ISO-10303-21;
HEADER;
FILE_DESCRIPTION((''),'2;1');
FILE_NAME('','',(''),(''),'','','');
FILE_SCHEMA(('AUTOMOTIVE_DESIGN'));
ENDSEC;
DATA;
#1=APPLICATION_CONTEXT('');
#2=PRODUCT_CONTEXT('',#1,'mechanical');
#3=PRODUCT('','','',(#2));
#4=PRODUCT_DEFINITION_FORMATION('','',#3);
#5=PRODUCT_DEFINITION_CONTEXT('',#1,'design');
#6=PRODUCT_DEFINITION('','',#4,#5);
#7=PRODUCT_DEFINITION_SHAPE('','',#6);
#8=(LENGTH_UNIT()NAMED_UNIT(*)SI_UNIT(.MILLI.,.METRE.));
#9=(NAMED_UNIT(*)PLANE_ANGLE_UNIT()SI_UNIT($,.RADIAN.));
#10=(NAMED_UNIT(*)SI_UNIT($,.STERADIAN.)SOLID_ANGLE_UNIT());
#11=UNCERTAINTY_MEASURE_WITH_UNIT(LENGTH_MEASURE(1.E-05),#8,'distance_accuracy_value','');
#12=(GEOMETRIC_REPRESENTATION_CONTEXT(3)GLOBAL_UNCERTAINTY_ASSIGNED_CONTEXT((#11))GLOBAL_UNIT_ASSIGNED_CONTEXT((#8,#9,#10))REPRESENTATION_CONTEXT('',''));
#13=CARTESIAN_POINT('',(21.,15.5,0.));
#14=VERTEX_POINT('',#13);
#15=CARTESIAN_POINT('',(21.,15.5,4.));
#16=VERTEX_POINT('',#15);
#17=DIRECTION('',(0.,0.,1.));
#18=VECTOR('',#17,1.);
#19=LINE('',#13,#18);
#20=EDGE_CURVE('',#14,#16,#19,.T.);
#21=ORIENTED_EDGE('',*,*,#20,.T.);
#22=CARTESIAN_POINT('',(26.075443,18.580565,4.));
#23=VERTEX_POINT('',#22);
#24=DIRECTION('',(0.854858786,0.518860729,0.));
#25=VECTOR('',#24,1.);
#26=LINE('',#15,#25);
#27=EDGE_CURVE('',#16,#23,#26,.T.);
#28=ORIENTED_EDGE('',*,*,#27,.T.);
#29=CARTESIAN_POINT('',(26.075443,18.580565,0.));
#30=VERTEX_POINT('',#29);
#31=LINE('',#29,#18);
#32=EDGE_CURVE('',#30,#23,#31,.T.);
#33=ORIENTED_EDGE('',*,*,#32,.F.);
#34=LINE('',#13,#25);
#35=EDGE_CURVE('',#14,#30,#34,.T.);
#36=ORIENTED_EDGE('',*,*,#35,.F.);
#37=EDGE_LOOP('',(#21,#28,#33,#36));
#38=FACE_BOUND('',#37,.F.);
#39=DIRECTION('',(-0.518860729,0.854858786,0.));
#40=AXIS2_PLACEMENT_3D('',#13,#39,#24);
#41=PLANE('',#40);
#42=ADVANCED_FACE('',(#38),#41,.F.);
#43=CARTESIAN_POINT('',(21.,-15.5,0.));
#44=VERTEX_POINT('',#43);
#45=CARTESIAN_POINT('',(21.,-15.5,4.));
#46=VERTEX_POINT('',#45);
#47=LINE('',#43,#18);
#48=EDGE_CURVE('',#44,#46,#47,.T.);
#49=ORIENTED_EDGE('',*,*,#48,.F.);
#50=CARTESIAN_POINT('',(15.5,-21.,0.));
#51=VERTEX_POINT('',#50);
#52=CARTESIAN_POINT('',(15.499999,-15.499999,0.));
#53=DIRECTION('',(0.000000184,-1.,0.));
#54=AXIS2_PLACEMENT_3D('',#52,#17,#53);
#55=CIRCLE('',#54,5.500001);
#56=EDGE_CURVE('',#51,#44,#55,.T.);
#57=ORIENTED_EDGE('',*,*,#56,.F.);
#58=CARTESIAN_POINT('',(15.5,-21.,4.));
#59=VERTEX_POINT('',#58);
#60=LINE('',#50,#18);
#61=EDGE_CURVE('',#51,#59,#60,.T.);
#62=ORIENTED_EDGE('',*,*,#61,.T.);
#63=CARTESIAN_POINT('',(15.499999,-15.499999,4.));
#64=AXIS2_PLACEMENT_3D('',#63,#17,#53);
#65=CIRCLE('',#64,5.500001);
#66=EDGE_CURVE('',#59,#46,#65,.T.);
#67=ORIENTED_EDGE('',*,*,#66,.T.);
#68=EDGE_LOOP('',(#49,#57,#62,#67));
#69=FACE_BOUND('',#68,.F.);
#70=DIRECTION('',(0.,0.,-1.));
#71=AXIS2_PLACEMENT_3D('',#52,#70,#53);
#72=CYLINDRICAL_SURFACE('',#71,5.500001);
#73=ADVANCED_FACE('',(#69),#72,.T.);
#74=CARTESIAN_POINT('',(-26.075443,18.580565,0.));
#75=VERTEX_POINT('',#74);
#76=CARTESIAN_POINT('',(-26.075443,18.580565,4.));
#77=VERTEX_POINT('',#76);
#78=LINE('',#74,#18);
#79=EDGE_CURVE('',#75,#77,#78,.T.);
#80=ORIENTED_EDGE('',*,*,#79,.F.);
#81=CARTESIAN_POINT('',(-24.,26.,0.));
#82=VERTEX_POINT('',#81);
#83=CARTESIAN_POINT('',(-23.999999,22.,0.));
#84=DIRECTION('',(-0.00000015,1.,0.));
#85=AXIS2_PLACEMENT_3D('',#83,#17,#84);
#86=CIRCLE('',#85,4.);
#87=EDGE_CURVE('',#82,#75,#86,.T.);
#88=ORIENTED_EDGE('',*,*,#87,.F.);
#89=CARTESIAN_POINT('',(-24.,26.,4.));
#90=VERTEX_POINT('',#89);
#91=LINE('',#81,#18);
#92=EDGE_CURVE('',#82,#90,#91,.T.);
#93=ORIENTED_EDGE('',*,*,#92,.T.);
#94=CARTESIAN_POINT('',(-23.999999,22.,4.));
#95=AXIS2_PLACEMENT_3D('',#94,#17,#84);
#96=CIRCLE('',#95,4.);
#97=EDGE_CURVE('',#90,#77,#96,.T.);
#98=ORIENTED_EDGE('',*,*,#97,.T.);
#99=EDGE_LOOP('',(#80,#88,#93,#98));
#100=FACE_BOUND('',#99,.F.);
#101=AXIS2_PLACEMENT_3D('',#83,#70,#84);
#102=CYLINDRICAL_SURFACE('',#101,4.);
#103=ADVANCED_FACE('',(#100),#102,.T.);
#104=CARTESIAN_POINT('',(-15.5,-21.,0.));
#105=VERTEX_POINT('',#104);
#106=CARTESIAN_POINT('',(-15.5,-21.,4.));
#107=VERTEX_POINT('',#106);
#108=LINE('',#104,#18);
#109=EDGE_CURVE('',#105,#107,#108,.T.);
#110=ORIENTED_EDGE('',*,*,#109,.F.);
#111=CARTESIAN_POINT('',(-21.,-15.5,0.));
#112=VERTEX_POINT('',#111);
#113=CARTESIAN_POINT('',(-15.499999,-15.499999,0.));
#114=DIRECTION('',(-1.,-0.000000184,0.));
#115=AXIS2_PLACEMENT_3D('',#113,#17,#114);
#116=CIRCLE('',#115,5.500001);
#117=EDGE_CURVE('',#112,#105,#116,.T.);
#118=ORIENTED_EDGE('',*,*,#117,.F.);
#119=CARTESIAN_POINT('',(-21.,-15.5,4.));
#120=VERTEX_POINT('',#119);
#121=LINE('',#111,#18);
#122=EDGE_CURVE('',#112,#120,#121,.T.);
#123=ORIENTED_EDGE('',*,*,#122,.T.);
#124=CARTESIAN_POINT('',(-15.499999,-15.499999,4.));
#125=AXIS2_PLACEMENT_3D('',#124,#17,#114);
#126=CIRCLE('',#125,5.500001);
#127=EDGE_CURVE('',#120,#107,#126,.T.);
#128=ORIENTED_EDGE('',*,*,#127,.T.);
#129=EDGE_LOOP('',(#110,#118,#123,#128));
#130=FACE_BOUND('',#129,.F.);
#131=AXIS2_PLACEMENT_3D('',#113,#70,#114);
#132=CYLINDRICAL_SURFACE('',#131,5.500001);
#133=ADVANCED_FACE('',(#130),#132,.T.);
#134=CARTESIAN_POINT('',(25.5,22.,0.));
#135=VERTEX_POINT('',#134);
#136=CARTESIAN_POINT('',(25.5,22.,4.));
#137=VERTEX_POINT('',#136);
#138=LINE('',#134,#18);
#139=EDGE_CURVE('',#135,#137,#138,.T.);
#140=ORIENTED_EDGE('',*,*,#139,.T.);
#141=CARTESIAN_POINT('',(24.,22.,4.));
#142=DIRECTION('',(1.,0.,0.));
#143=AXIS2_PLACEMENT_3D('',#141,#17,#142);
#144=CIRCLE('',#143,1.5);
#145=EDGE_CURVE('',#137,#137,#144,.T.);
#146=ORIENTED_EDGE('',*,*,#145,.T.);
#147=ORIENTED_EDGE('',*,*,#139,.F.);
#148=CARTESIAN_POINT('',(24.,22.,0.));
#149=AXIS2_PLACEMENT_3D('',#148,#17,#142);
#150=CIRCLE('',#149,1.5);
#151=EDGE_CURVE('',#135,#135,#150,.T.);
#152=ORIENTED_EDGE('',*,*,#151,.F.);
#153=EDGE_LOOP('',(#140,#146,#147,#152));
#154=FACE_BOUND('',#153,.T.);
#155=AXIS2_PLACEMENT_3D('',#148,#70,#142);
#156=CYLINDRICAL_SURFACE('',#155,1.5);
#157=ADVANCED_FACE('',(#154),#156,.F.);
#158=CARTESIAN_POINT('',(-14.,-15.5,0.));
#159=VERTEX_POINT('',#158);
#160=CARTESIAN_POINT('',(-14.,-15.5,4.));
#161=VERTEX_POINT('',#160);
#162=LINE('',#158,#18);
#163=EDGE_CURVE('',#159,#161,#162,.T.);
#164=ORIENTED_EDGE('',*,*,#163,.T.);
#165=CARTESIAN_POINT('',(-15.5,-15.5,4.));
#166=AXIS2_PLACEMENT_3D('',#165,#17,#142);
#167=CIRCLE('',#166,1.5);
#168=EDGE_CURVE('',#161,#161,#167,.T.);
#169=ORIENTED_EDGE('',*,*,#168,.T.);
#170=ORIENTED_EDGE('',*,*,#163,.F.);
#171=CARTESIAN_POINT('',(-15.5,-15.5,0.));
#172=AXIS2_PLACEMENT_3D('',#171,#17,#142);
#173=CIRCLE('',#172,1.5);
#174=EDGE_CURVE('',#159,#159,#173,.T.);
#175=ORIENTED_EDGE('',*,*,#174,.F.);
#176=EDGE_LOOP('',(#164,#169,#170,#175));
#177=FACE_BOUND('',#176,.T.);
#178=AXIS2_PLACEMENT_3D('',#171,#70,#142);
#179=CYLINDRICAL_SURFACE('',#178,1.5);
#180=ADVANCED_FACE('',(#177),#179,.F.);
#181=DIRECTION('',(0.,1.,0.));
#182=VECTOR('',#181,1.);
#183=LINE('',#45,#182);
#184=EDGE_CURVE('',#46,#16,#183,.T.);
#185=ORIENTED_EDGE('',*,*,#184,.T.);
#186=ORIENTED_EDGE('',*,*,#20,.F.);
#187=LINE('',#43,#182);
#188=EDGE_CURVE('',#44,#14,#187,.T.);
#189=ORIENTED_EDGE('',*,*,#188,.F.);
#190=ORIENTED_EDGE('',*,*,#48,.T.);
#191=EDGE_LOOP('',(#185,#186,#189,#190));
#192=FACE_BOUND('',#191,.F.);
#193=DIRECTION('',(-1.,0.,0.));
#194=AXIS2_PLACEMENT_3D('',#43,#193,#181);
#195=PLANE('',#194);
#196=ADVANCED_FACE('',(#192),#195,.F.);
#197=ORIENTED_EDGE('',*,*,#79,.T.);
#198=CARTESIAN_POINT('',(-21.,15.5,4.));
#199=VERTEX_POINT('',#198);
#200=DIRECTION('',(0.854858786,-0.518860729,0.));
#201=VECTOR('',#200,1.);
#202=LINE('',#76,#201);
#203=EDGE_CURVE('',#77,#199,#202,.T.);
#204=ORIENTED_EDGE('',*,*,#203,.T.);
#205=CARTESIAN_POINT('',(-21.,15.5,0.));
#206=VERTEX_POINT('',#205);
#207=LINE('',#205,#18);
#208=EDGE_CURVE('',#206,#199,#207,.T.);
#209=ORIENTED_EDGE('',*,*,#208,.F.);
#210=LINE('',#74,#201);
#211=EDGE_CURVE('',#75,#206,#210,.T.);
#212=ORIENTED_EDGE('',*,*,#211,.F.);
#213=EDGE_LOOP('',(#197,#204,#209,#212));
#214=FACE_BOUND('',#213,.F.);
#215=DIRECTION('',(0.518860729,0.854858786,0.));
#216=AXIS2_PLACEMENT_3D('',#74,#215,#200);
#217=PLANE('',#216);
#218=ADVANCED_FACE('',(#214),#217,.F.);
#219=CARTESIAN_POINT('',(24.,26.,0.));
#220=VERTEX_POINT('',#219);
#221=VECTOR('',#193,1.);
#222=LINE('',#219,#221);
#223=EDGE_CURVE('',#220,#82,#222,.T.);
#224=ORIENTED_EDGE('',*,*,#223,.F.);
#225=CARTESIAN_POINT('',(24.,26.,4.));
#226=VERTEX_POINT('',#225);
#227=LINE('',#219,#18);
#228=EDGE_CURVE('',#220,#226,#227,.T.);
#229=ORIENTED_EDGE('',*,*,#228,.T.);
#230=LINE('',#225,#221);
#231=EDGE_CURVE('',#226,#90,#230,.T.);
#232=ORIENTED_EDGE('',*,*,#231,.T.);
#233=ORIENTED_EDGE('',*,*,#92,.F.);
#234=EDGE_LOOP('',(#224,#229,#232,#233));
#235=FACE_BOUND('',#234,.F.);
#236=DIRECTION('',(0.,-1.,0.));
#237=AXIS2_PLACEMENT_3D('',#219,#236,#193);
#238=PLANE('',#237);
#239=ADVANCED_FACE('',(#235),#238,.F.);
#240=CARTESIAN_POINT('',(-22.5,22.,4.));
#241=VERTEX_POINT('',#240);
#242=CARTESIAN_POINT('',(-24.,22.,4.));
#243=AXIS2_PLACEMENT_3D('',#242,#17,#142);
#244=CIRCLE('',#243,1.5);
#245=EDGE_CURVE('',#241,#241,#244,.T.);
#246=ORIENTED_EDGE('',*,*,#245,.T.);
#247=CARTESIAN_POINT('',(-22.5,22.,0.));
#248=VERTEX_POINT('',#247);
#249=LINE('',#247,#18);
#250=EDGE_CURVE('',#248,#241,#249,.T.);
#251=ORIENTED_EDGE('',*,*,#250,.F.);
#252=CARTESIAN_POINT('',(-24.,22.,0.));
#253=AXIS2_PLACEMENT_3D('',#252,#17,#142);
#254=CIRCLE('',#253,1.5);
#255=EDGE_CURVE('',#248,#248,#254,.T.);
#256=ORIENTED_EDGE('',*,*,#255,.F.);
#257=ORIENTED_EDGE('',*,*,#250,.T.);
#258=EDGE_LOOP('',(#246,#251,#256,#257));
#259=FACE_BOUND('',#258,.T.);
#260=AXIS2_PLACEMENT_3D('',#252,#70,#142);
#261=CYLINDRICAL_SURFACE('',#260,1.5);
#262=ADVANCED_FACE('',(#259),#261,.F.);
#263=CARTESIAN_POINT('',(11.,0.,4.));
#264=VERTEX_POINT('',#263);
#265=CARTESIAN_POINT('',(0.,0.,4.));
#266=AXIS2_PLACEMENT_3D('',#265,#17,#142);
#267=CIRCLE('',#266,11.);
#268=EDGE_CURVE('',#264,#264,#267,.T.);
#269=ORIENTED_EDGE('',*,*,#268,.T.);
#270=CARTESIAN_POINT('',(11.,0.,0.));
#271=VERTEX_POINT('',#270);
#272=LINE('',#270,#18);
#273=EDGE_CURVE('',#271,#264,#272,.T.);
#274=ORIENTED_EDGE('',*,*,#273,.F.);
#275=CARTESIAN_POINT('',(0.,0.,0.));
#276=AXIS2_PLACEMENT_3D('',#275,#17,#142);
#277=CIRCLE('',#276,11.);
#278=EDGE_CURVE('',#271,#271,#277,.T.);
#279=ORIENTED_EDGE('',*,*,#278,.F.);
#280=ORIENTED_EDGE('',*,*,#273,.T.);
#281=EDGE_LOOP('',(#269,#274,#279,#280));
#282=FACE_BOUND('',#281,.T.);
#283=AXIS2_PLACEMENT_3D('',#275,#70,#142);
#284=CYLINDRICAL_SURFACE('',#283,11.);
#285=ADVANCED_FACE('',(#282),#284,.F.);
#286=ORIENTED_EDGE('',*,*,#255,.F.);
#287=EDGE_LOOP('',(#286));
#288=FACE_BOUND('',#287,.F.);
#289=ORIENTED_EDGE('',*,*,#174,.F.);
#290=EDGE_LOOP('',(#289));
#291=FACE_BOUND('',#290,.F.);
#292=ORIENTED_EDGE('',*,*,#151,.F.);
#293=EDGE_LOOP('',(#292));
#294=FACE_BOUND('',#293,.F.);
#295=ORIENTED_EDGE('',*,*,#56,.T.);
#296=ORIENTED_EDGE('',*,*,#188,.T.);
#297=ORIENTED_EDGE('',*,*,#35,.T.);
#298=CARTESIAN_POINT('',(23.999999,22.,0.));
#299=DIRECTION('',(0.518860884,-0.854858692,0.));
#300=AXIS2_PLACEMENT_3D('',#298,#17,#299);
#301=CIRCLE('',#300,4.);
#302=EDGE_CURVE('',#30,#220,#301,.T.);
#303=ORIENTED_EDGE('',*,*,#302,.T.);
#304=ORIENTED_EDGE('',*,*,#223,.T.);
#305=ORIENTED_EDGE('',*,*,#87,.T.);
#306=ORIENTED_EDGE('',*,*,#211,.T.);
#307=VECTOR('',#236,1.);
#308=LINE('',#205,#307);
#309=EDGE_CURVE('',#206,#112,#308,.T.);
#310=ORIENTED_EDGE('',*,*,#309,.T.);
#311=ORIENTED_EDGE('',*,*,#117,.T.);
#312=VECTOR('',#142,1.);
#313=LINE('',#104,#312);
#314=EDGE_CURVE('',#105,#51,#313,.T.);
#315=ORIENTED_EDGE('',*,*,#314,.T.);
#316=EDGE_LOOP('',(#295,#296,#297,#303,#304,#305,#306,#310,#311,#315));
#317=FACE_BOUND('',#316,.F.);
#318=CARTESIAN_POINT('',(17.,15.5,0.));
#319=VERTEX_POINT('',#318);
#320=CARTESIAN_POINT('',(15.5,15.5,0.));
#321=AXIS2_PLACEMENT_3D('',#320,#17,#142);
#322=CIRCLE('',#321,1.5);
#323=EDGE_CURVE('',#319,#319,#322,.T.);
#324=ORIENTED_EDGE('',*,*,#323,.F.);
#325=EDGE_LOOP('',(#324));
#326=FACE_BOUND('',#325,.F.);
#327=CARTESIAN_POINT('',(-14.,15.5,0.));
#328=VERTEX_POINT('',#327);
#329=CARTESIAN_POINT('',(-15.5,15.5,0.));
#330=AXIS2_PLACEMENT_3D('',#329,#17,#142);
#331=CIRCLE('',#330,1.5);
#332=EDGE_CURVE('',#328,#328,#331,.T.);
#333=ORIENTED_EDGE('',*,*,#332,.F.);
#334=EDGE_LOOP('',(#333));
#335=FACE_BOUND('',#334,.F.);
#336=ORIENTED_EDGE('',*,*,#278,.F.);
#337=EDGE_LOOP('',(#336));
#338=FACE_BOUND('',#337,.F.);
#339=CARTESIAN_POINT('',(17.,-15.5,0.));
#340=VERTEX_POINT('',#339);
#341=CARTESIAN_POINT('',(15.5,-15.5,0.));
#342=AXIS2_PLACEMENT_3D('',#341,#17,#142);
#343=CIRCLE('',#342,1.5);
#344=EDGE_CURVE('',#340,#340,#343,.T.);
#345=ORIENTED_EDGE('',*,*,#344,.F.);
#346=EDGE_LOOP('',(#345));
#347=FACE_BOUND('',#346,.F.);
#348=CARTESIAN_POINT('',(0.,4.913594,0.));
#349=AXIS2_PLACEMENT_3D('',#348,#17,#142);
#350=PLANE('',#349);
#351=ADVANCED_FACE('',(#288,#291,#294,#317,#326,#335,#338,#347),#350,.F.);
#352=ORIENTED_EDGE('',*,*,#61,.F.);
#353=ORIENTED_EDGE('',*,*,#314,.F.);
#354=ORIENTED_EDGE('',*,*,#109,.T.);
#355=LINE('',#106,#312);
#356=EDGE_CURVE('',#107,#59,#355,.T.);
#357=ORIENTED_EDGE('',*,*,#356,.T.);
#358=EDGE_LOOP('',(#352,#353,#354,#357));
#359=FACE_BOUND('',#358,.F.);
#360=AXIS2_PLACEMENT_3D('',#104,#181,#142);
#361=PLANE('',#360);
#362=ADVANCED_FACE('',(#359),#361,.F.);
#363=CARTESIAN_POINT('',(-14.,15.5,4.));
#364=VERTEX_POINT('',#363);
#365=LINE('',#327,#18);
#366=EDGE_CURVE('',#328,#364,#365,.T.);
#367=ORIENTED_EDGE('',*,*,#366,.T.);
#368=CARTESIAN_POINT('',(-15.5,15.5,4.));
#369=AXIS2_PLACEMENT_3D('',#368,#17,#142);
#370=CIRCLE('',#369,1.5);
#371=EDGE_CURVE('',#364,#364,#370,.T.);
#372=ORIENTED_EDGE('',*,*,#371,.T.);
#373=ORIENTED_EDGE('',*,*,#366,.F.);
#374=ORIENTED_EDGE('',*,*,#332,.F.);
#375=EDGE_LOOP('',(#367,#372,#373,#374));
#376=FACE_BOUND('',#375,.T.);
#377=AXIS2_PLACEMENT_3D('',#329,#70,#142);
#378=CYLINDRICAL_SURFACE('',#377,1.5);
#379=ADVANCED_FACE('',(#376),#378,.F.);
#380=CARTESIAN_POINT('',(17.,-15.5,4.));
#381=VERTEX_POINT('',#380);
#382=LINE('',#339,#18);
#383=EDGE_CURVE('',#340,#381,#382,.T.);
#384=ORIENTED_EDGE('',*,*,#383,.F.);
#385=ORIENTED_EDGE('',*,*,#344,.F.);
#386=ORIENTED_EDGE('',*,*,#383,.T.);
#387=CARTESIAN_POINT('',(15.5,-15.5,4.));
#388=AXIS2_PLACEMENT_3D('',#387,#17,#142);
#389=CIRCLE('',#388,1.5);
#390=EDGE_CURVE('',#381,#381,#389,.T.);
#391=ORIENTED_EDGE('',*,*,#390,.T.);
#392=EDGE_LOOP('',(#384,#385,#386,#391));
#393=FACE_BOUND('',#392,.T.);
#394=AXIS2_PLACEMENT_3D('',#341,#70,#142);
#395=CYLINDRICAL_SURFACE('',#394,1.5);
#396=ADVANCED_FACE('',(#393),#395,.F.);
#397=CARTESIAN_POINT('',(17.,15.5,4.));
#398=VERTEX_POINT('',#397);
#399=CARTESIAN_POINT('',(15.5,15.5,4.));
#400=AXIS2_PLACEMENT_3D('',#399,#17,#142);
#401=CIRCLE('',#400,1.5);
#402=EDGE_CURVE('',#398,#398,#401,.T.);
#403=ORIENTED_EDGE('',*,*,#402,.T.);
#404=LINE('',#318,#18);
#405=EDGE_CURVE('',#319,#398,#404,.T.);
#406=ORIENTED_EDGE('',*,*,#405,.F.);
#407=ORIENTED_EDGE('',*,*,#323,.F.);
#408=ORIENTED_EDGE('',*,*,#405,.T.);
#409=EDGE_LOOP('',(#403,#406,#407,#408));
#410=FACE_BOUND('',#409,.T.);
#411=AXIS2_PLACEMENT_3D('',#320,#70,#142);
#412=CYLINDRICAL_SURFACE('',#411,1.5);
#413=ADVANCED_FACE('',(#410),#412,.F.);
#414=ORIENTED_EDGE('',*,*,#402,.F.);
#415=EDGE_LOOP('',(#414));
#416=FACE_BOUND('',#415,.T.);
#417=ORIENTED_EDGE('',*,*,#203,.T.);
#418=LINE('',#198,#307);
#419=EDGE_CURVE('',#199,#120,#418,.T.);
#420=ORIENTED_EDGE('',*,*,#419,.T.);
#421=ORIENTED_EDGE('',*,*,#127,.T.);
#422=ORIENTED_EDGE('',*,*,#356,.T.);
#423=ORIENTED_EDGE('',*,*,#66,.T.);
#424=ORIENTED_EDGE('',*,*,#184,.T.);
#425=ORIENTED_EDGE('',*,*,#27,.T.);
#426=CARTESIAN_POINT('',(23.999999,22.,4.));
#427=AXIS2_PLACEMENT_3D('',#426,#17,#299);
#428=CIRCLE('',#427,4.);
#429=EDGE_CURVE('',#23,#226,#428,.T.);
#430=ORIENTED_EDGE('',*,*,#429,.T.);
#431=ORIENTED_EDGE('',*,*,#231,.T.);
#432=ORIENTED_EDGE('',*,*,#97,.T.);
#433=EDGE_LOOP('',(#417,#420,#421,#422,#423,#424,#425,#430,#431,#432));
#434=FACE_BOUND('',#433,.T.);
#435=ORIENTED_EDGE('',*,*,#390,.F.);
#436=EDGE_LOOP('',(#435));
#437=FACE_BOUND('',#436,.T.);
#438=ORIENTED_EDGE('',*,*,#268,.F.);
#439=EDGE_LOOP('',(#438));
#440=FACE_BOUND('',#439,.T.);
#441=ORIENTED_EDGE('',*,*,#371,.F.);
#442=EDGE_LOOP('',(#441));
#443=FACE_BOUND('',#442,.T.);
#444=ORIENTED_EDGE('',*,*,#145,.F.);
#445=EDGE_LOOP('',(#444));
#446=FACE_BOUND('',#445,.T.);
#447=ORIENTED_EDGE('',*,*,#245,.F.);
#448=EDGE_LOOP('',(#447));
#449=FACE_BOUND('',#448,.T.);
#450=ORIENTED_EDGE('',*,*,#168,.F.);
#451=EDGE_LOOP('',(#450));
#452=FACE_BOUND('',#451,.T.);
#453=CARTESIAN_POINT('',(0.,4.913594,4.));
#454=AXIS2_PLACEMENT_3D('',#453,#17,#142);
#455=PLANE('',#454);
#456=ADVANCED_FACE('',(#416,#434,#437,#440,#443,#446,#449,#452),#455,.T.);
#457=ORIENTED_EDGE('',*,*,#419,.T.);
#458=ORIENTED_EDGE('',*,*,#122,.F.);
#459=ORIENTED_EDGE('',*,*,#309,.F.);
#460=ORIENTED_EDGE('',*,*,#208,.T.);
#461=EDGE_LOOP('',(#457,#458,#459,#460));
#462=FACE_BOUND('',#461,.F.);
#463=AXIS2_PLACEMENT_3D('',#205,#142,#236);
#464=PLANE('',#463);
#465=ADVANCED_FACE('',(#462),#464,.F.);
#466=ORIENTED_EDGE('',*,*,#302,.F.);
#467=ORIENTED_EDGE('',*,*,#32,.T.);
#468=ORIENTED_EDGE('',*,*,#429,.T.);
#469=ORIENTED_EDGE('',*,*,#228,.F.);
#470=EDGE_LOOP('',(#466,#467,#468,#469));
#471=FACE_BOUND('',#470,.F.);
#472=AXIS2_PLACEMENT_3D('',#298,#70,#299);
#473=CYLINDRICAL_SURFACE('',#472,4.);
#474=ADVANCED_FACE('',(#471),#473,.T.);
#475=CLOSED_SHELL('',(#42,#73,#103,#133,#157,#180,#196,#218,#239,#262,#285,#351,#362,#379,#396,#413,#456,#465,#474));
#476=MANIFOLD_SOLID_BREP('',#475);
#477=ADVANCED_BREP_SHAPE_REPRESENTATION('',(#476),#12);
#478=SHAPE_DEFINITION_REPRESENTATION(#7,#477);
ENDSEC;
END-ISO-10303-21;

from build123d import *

# Parameters (mm, degrees)
F0_R     = 1.5
F0_R_2   = 11
F1_DEPTH = 4


with BuildPart() as f1:
    # F0 (on Top) → F1 (new body)
    with BuildSketch(Plane.XY):
        with BuildLine():
            ThreePointArc((-21, -15.5), (-19.389087, -19.389087), (-15.5, -21))
            Line((-15.5, -21), (15.5, -21))
            ThreePointArc((15.5, -21), (19.389087, -19.389087), (21, -15.5))
            Line((21, -15.5), (21, 15.5))
            Line((21, 15.5), (26.075443, 18.580565))
            ThreePointArc((26.075443, 18.580565), (27.852125, 23.077557), (24, 26))
            Line((24, 26), (-24, 26))
            ThreePointArc((-24, 26), (-27.852125, 23.077557), (-26.075443, 18.580565))
            Line((-26.075443, 18.580565), (-21, 15.5))
            Line((-21, 15.5), (-21, -15.5))
        make_face()
        with Locations((-15.5, -15.5)):
            Circle(F0_R, mode=Mode.SUBTRACT)
        with Locations((15.5, -15.5)):
            Circle(F0_R, mode=Mode.SUBTRACT)
        Circle(F0_R_2, mode=Mode.SUBTRACT)
        with Locations((-15.5, 15.5)):
            Circle(F0_R, mode=Mode.SUBTRACT)
        with Locations((-24, 22)):
            Circle(F0_R, mode=Mode.SUBTRACT)
        with Locations((15.5, 15.5)):
            Circle(F0_R, mode=Mode.SUBTRACT)
        with Locations((24, 22)):
            Circle(F0_R, mode=Mode.SUBTRACT)
    extrude(amount=F1_DEPTH)


solid = f1.part
